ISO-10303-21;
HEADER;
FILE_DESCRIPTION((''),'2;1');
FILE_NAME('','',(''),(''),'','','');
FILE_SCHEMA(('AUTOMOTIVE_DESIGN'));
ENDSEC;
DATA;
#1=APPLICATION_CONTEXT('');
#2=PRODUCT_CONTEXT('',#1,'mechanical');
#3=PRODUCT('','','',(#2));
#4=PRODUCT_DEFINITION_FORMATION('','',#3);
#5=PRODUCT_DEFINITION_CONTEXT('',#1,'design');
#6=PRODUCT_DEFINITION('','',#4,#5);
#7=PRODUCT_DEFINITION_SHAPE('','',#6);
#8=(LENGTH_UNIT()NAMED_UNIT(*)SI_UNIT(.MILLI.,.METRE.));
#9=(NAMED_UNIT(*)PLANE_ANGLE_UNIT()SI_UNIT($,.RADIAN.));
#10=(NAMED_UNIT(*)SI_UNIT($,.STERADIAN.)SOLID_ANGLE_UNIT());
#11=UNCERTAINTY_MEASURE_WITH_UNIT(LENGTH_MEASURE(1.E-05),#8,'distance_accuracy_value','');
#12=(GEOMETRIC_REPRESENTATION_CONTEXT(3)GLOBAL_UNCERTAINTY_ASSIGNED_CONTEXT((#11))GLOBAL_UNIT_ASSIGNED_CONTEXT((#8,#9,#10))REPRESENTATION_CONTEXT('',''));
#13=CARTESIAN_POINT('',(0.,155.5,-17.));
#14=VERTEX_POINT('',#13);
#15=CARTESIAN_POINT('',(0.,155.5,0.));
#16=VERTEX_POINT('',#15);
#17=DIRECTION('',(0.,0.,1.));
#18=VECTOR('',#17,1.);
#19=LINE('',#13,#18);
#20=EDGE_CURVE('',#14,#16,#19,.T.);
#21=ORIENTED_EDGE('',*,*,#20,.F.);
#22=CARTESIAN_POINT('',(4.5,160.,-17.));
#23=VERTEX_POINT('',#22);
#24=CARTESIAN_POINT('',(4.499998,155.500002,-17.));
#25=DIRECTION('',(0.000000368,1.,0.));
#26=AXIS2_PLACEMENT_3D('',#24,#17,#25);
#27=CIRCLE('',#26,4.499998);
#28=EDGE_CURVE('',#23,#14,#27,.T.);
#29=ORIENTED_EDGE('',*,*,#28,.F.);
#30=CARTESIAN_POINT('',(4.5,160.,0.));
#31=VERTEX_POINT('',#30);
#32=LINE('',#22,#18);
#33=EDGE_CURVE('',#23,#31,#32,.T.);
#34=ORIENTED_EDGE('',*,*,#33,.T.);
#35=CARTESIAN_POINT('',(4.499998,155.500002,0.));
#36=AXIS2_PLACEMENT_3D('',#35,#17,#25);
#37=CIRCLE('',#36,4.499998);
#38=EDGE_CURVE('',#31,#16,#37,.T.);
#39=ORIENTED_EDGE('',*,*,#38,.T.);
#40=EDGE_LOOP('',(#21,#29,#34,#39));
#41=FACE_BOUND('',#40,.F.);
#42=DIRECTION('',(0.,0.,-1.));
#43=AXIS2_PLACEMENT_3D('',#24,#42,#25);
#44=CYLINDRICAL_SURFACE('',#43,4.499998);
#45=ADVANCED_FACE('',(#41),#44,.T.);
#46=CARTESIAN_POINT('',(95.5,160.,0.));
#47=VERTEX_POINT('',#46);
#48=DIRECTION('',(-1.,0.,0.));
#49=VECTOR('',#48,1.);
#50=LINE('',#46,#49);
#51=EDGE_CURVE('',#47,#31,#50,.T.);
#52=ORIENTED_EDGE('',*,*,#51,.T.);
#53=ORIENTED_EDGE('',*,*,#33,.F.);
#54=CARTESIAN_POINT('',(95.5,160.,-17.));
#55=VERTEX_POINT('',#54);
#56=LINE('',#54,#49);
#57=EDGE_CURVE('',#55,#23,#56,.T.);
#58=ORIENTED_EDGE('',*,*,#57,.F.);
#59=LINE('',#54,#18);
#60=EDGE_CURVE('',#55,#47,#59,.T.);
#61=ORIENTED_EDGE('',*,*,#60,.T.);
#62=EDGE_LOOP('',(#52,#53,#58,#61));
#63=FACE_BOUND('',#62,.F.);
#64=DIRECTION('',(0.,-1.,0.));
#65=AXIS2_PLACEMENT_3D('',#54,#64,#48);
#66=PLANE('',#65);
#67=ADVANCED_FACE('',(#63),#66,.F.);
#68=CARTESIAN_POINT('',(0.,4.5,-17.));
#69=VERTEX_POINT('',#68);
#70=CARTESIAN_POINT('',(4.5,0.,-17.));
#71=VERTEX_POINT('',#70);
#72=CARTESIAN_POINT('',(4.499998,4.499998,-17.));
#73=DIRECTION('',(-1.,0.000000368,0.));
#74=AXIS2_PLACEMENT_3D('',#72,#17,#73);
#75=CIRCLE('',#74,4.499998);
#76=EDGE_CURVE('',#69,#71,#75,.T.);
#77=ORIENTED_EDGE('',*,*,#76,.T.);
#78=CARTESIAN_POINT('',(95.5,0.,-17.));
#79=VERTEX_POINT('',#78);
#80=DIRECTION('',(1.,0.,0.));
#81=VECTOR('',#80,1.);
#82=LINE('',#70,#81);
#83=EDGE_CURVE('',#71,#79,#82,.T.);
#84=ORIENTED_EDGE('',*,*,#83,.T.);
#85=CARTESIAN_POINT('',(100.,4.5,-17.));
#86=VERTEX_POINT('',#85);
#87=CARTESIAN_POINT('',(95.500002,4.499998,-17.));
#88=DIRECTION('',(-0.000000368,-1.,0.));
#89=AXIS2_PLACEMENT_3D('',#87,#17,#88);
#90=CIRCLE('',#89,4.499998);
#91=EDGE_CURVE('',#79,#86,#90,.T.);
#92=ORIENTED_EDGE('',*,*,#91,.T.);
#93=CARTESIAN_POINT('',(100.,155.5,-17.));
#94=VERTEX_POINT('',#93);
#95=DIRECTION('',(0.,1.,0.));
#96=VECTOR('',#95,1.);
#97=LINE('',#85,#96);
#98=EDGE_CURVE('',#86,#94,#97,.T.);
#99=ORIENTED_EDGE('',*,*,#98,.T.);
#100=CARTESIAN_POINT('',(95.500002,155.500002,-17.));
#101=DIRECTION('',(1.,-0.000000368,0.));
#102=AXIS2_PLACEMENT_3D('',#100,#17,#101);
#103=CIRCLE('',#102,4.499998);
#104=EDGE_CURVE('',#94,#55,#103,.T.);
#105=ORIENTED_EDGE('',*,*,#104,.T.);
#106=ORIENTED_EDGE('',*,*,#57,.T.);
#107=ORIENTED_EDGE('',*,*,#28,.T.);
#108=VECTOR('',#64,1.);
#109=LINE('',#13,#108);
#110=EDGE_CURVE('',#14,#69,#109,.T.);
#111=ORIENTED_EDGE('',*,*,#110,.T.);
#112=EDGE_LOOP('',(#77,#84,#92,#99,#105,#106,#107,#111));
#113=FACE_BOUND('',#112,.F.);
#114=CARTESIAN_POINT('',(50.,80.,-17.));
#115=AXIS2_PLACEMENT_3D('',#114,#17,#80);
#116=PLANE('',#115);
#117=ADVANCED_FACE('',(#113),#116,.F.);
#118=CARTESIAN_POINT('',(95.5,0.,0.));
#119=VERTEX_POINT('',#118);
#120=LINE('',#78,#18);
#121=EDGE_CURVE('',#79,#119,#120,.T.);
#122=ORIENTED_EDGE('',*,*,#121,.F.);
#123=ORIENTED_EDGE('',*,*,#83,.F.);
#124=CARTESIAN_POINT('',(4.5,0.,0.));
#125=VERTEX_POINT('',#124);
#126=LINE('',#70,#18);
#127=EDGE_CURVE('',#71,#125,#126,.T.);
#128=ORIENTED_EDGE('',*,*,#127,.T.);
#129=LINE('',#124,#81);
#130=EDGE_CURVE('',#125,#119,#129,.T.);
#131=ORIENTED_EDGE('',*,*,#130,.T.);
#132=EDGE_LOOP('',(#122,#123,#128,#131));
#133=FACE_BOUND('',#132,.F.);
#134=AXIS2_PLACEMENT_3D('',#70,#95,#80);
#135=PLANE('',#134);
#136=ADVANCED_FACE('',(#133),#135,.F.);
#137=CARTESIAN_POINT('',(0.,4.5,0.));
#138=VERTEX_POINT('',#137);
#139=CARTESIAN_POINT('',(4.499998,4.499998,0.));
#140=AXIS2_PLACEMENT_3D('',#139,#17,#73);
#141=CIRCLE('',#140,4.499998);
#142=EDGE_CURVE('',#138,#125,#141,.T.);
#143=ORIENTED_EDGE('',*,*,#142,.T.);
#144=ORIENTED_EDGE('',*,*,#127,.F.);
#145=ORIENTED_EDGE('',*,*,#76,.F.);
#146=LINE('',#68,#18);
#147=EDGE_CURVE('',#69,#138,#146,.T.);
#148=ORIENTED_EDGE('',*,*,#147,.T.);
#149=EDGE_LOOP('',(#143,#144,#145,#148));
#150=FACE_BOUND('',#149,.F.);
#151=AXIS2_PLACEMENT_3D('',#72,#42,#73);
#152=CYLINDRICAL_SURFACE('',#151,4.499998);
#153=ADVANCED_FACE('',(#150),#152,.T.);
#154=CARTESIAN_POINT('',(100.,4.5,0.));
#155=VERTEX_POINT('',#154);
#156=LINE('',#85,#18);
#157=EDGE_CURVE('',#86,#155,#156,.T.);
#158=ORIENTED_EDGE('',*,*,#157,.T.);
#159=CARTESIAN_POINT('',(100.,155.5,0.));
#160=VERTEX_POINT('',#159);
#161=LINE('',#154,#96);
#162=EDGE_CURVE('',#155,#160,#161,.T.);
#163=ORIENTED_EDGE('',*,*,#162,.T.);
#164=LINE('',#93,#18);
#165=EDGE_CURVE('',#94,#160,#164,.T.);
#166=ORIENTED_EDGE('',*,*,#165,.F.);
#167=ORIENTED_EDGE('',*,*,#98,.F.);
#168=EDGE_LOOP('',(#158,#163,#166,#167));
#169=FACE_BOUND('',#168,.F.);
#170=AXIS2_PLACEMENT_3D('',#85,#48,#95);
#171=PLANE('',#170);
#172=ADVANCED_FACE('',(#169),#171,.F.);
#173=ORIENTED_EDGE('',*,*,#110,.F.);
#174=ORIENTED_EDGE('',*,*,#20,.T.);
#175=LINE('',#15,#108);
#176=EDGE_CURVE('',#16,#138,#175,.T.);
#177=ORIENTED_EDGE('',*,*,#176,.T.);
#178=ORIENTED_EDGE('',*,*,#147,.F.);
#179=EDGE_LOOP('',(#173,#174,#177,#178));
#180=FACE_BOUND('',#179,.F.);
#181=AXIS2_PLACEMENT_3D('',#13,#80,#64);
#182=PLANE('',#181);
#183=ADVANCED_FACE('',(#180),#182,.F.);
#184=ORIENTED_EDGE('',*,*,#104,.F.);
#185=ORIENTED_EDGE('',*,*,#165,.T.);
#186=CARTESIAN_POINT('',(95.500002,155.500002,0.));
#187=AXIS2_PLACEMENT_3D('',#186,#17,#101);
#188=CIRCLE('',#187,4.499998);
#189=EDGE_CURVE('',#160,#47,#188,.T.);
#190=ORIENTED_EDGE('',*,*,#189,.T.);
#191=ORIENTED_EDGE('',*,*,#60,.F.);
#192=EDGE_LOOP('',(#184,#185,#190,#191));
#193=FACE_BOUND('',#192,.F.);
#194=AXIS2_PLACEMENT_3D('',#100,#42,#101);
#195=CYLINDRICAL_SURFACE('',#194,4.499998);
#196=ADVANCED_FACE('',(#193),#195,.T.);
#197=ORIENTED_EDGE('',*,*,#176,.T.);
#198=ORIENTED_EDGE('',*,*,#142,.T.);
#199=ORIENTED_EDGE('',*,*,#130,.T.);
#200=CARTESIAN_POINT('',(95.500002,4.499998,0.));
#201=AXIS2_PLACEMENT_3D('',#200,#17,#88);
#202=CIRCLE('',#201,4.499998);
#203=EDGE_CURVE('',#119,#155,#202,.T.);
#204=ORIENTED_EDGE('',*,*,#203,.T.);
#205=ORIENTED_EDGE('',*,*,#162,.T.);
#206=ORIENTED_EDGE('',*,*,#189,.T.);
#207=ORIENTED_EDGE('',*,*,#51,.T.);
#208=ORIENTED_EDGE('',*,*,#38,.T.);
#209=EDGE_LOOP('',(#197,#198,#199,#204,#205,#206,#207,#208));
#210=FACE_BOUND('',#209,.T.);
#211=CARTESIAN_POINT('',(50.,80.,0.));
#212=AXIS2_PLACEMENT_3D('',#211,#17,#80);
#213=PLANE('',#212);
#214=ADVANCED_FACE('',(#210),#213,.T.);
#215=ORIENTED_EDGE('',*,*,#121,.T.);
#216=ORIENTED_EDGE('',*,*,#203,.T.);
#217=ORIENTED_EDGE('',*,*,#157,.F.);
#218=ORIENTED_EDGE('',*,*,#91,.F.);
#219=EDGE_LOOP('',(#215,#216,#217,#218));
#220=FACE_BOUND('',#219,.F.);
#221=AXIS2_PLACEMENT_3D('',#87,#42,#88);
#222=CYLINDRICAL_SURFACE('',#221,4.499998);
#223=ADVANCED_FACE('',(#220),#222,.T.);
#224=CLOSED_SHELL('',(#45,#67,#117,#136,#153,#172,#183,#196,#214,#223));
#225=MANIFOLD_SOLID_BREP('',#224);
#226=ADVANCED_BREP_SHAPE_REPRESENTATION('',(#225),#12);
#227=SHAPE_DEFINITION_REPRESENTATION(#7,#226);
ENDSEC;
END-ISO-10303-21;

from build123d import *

# Parameters (mm, degrees)
F2_DEPTH = 17


with BuildPart() as f2:
    # F1 (on offset) → F2 (new body)
    with BuildSketch(Plane.XY.offset(-17)):
        with BuildLine():
            ThreePointArc((0, 4.5), (1.318019, 1.318019), (4.5, 0))
            Line((4.5, 0), (50, 0))
            Line((50, 0), (95.5, 0))
            ThreePointArc((95.5, 0), (98.681981, 1.318019), (100, 4.5))
            Line((100, 4.5), (100, 155.5))
            ThreePointArc((100, 155.5), (98.681981, 158.681981), (95.5, 160))
            Line((95.5, 160), (50, 160))
            Line((50, 160), (4.5, 160))
            ThreePointArc((4.5, 160), (1.318019, 158.681981), (0, 155.5))
            Line((0, 155.5), (0, 4.5))
        make_face()
    extrude(amount=F2_DEPTH)


solid = f2.part
